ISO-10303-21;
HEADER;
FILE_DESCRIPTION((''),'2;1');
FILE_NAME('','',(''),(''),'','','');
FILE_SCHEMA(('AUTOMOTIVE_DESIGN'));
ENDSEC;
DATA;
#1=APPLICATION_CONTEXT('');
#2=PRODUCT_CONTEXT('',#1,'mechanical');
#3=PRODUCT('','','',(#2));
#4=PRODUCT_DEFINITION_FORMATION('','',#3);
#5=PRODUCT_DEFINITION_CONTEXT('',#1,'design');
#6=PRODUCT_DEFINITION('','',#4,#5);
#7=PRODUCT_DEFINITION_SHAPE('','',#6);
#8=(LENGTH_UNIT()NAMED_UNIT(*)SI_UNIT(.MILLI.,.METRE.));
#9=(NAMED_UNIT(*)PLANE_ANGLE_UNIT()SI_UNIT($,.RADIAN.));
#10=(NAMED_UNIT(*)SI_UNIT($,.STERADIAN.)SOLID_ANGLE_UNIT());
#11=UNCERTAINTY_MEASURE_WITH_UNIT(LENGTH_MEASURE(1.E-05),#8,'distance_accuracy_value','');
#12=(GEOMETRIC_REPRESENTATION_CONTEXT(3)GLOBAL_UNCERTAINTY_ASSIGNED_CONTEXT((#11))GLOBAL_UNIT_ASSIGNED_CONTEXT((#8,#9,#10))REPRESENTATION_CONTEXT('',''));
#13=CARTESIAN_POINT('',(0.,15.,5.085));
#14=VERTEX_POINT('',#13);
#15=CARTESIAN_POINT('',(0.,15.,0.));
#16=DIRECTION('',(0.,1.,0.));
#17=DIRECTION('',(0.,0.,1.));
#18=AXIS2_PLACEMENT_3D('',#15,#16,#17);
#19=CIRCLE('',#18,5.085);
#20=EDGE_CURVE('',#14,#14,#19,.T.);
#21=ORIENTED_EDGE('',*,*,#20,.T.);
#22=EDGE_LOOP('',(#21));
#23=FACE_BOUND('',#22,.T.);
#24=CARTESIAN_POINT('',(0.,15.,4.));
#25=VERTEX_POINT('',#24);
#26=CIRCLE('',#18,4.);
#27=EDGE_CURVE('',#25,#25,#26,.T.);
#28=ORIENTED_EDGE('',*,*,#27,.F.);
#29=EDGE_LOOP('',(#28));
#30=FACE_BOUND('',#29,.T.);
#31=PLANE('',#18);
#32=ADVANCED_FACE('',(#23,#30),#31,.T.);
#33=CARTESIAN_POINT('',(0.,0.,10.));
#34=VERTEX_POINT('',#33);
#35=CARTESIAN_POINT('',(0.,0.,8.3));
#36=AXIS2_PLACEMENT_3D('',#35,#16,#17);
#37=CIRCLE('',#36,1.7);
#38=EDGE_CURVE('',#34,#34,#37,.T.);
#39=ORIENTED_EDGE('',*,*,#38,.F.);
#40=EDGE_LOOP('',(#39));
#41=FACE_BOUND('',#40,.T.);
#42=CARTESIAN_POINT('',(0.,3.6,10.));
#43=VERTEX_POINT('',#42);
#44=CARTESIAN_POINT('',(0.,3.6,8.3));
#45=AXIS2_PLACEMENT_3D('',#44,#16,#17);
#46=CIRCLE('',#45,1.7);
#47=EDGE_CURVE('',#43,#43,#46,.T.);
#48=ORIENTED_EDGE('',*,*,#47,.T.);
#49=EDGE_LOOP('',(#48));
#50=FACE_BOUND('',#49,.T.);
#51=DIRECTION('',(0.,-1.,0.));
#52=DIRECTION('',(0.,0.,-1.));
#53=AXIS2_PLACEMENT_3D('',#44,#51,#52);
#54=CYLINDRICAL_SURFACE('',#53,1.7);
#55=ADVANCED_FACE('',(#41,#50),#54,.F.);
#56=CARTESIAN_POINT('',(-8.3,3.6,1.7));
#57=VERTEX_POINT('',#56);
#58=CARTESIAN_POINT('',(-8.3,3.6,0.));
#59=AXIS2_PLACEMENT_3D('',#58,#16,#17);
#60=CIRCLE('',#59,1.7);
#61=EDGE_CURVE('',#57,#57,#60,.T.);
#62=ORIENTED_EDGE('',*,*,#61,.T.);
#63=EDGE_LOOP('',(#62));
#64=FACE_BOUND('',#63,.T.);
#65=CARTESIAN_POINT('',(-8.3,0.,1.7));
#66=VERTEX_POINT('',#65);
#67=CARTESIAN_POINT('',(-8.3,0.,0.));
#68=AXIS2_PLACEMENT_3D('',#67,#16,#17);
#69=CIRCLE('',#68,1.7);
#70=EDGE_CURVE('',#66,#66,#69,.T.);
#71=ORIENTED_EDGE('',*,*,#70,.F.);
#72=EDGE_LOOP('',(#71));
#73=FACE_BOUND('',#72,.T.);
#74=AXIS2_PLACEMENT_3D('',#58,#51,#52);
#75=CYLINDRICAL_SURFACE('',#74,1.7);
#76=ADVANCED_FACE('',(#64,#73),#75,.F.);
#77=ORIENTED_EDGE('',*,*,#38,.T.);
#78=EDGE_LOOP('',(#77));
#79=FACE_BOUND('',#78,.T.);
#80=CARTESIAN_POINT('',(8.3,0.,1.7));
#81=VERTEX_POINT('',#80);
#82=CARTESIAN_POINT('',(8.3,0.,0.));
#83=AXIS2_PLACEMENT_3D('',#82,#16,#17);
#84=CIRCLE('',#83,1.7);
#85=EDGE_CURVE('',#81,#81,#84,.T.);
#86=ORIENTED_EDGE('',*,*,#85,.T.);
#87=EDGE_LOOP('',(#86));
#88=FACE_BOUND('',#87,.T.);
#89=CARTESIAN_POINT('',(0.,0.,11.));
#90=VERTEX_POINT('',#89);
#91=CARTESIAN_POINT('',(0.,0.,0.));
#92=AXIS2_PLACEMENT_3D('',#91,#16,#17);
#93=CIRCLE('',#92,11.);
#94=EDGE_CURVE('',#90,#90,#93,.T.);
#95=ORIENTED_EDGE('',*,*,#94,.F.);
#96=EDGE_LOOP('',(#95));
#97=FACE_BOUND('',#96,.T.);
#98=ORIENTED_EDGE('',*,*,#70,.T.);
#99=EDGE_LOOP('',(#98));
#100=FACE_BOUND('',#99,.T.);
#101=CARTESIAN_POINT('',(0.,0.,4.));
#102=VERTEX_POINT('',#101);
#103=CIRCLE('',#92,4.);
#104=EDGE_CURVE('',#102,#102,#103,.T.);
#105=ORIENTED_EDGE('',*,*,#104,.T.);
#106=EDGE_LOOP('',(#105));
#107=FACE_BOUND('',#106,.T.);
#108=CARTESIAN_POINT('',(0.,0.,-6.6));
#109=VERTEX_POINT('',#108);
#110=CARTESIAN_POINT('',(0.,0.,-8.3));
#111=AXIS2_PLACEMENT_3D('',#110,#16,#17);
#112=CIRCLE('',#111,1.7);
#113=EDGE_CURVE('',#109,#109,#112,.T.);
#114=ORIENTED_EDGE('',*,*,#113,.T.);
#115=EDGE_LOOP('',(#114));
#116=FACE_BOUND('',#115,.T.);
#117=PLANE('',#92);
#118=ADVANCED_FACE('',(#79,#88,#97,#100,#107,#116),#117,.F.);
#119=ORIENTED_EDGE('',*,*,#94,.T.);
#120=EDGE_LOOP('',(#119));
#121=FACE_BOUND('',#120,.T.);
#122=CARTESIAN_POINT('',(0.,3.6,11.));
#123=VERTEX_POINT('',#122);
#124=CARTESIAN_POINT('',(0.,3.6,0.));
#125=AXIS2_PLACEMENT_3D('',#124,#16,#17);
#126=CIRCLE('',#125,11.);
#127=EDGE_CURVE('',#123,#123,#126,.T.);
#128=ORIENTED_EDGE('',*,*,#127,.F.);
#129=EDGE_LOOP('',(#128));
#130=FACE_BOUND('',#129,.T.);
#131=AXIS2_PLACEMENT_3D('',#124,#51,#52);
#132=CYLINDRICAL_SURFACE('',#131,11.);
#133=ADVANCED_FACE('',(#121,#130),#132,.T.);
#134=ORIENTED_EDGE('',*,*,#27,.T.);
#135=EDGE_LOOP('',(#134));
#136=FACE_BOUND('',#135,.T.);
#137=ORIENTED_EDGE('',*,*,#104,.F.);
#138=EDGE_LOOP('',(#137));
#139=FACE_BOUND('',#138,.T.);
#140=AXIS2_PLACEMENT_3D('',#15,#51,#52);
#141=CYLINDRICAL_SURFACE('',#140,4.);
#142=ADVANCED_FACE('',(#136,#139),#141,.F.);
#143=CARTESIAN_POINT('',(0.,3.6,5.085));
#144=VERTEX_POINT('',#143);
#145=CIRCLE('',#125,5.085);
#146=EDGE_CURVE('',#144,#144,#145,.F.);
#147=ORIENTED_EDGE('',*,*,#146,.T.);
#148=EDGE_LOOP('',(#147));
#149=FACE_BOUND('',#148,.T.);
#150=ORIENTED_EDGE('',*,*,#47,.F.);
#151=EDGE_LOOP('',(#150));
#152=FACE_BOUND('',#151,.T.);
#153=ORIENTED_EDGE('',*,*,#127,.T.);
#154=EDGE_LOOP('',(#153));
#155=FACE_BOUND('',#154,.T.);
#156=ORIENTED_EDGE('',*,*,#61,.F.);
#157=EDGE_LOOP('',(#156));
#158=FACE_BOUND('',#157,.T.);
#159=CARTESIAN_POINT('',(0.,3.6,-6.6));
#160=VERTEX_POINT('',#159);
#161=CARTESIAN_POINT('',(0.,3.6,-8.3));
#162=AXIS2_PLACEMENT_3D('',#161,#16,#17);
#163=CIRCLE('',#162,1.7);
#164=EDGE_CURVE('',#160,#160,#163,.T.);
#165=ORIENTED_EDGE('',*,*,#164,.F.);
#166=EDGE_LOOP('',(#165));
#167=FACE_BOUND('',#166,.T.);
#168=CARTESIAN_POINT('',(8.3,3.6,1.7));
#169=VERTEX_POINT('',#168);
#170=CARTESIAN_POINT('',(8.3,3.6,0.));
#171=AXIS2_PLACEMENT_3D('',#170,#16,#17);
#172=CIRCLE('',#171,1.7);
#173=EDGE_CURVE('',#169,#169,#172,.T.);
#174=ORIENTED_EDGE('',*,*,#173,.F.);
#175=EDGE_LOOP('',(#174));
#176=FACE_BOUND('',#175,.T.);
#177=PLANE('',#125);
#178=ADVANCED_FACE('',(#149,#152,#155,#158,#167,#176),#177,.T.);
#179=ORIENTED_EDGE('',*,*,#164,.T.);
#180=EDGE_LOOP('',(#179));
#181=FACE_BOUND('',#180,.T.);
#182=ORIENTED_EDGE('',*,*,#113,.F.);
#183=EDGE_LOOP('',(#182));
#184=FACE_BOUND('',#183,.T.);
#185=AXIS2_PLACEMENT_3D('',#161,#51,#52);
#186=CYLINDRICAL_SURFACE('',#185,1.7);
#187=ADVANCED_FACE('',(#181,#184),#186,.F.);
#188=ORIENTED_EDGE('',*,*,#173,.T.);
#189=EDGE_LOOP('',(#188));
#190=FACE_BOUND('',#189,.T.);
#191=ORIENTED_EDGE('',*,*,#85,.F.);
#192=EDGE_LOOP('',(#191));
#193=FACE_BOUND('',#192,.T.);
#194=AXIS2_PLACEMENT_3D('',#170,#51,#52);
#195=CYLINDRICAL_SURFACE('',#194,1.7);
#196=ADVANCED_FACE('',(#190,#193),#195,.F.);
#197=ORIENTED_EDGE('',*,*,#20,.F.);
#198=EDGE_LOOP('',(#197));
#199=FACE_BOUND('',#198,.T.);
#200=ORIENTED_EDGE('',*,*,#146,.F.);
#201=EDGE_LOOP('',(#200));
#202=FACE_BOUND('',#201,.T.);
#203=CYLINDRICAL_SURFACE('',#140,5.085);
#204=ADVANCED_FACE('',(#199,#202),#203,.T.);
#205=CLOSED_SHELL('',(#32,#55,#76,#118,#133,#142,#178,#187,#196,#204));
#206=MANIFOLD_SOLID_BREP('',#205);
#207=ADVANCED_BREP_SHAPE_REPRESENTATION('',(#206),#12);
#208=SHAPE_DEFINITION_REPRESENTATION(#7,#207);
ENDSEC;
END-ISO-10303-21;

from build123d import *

# Parameters (mm, degrees)
SKETCH1_R           = 11
SKETCH1_R_2         = 5
SKETCH1_R_3         = 1.7
BOSS_EXTRUDE1_DEPTH = 3.6
SKETCH2_R           = 5.085
SKETCH2_R_2         = 4
BOSS_EXTRUDE2_DEPTH = 15


with BuildPart() as part:
    # Sketch1 → Boss-Extrude1 (new body)
    with BuildSketch(Plane(origin=(0, 0, 0), x_dir=(1, 0, 0), z_dir=(0, 1, 0))):
        Circle(SKETCH1_R)
        Circle(SKETCH1_R_2, mode=Mode.SUBTRACT)
        with Locations((-8.3, 0)):
            Circle(SKETCH1_R_3, mode=Mode.SUBTRACT)
        with Locations((0, 8.3)):
            Circle(SKETCH1_R_3, mode=Mode.SUBTRACT)
        with Locations((8.3, 0)):
            Circle(SKETCH1_R_3, mode=Mode.SUBTRACT)
        with Locations((0, -8.3)):
            Circle(SKETCH1_R_3, mode=Mode.SUBTRACT)
    extrude(amount=BOSS_EXTRUDE1_DEPTH)

    # Sketch2 → Boss-Extrude2 (add)
    with BuildSketch(Plane(origin=(0, 0, 0), x_dir=(1, 0, 0), z_dir=(0, 1, 0))):
        Circle(SKETCH2_R)
        Circle(SKETCH2_R_2, mode=Mode.SUBTRACT)
    extrude(amount=BOSS_EXTRUDE2_DEPTH)


solid = part.part
